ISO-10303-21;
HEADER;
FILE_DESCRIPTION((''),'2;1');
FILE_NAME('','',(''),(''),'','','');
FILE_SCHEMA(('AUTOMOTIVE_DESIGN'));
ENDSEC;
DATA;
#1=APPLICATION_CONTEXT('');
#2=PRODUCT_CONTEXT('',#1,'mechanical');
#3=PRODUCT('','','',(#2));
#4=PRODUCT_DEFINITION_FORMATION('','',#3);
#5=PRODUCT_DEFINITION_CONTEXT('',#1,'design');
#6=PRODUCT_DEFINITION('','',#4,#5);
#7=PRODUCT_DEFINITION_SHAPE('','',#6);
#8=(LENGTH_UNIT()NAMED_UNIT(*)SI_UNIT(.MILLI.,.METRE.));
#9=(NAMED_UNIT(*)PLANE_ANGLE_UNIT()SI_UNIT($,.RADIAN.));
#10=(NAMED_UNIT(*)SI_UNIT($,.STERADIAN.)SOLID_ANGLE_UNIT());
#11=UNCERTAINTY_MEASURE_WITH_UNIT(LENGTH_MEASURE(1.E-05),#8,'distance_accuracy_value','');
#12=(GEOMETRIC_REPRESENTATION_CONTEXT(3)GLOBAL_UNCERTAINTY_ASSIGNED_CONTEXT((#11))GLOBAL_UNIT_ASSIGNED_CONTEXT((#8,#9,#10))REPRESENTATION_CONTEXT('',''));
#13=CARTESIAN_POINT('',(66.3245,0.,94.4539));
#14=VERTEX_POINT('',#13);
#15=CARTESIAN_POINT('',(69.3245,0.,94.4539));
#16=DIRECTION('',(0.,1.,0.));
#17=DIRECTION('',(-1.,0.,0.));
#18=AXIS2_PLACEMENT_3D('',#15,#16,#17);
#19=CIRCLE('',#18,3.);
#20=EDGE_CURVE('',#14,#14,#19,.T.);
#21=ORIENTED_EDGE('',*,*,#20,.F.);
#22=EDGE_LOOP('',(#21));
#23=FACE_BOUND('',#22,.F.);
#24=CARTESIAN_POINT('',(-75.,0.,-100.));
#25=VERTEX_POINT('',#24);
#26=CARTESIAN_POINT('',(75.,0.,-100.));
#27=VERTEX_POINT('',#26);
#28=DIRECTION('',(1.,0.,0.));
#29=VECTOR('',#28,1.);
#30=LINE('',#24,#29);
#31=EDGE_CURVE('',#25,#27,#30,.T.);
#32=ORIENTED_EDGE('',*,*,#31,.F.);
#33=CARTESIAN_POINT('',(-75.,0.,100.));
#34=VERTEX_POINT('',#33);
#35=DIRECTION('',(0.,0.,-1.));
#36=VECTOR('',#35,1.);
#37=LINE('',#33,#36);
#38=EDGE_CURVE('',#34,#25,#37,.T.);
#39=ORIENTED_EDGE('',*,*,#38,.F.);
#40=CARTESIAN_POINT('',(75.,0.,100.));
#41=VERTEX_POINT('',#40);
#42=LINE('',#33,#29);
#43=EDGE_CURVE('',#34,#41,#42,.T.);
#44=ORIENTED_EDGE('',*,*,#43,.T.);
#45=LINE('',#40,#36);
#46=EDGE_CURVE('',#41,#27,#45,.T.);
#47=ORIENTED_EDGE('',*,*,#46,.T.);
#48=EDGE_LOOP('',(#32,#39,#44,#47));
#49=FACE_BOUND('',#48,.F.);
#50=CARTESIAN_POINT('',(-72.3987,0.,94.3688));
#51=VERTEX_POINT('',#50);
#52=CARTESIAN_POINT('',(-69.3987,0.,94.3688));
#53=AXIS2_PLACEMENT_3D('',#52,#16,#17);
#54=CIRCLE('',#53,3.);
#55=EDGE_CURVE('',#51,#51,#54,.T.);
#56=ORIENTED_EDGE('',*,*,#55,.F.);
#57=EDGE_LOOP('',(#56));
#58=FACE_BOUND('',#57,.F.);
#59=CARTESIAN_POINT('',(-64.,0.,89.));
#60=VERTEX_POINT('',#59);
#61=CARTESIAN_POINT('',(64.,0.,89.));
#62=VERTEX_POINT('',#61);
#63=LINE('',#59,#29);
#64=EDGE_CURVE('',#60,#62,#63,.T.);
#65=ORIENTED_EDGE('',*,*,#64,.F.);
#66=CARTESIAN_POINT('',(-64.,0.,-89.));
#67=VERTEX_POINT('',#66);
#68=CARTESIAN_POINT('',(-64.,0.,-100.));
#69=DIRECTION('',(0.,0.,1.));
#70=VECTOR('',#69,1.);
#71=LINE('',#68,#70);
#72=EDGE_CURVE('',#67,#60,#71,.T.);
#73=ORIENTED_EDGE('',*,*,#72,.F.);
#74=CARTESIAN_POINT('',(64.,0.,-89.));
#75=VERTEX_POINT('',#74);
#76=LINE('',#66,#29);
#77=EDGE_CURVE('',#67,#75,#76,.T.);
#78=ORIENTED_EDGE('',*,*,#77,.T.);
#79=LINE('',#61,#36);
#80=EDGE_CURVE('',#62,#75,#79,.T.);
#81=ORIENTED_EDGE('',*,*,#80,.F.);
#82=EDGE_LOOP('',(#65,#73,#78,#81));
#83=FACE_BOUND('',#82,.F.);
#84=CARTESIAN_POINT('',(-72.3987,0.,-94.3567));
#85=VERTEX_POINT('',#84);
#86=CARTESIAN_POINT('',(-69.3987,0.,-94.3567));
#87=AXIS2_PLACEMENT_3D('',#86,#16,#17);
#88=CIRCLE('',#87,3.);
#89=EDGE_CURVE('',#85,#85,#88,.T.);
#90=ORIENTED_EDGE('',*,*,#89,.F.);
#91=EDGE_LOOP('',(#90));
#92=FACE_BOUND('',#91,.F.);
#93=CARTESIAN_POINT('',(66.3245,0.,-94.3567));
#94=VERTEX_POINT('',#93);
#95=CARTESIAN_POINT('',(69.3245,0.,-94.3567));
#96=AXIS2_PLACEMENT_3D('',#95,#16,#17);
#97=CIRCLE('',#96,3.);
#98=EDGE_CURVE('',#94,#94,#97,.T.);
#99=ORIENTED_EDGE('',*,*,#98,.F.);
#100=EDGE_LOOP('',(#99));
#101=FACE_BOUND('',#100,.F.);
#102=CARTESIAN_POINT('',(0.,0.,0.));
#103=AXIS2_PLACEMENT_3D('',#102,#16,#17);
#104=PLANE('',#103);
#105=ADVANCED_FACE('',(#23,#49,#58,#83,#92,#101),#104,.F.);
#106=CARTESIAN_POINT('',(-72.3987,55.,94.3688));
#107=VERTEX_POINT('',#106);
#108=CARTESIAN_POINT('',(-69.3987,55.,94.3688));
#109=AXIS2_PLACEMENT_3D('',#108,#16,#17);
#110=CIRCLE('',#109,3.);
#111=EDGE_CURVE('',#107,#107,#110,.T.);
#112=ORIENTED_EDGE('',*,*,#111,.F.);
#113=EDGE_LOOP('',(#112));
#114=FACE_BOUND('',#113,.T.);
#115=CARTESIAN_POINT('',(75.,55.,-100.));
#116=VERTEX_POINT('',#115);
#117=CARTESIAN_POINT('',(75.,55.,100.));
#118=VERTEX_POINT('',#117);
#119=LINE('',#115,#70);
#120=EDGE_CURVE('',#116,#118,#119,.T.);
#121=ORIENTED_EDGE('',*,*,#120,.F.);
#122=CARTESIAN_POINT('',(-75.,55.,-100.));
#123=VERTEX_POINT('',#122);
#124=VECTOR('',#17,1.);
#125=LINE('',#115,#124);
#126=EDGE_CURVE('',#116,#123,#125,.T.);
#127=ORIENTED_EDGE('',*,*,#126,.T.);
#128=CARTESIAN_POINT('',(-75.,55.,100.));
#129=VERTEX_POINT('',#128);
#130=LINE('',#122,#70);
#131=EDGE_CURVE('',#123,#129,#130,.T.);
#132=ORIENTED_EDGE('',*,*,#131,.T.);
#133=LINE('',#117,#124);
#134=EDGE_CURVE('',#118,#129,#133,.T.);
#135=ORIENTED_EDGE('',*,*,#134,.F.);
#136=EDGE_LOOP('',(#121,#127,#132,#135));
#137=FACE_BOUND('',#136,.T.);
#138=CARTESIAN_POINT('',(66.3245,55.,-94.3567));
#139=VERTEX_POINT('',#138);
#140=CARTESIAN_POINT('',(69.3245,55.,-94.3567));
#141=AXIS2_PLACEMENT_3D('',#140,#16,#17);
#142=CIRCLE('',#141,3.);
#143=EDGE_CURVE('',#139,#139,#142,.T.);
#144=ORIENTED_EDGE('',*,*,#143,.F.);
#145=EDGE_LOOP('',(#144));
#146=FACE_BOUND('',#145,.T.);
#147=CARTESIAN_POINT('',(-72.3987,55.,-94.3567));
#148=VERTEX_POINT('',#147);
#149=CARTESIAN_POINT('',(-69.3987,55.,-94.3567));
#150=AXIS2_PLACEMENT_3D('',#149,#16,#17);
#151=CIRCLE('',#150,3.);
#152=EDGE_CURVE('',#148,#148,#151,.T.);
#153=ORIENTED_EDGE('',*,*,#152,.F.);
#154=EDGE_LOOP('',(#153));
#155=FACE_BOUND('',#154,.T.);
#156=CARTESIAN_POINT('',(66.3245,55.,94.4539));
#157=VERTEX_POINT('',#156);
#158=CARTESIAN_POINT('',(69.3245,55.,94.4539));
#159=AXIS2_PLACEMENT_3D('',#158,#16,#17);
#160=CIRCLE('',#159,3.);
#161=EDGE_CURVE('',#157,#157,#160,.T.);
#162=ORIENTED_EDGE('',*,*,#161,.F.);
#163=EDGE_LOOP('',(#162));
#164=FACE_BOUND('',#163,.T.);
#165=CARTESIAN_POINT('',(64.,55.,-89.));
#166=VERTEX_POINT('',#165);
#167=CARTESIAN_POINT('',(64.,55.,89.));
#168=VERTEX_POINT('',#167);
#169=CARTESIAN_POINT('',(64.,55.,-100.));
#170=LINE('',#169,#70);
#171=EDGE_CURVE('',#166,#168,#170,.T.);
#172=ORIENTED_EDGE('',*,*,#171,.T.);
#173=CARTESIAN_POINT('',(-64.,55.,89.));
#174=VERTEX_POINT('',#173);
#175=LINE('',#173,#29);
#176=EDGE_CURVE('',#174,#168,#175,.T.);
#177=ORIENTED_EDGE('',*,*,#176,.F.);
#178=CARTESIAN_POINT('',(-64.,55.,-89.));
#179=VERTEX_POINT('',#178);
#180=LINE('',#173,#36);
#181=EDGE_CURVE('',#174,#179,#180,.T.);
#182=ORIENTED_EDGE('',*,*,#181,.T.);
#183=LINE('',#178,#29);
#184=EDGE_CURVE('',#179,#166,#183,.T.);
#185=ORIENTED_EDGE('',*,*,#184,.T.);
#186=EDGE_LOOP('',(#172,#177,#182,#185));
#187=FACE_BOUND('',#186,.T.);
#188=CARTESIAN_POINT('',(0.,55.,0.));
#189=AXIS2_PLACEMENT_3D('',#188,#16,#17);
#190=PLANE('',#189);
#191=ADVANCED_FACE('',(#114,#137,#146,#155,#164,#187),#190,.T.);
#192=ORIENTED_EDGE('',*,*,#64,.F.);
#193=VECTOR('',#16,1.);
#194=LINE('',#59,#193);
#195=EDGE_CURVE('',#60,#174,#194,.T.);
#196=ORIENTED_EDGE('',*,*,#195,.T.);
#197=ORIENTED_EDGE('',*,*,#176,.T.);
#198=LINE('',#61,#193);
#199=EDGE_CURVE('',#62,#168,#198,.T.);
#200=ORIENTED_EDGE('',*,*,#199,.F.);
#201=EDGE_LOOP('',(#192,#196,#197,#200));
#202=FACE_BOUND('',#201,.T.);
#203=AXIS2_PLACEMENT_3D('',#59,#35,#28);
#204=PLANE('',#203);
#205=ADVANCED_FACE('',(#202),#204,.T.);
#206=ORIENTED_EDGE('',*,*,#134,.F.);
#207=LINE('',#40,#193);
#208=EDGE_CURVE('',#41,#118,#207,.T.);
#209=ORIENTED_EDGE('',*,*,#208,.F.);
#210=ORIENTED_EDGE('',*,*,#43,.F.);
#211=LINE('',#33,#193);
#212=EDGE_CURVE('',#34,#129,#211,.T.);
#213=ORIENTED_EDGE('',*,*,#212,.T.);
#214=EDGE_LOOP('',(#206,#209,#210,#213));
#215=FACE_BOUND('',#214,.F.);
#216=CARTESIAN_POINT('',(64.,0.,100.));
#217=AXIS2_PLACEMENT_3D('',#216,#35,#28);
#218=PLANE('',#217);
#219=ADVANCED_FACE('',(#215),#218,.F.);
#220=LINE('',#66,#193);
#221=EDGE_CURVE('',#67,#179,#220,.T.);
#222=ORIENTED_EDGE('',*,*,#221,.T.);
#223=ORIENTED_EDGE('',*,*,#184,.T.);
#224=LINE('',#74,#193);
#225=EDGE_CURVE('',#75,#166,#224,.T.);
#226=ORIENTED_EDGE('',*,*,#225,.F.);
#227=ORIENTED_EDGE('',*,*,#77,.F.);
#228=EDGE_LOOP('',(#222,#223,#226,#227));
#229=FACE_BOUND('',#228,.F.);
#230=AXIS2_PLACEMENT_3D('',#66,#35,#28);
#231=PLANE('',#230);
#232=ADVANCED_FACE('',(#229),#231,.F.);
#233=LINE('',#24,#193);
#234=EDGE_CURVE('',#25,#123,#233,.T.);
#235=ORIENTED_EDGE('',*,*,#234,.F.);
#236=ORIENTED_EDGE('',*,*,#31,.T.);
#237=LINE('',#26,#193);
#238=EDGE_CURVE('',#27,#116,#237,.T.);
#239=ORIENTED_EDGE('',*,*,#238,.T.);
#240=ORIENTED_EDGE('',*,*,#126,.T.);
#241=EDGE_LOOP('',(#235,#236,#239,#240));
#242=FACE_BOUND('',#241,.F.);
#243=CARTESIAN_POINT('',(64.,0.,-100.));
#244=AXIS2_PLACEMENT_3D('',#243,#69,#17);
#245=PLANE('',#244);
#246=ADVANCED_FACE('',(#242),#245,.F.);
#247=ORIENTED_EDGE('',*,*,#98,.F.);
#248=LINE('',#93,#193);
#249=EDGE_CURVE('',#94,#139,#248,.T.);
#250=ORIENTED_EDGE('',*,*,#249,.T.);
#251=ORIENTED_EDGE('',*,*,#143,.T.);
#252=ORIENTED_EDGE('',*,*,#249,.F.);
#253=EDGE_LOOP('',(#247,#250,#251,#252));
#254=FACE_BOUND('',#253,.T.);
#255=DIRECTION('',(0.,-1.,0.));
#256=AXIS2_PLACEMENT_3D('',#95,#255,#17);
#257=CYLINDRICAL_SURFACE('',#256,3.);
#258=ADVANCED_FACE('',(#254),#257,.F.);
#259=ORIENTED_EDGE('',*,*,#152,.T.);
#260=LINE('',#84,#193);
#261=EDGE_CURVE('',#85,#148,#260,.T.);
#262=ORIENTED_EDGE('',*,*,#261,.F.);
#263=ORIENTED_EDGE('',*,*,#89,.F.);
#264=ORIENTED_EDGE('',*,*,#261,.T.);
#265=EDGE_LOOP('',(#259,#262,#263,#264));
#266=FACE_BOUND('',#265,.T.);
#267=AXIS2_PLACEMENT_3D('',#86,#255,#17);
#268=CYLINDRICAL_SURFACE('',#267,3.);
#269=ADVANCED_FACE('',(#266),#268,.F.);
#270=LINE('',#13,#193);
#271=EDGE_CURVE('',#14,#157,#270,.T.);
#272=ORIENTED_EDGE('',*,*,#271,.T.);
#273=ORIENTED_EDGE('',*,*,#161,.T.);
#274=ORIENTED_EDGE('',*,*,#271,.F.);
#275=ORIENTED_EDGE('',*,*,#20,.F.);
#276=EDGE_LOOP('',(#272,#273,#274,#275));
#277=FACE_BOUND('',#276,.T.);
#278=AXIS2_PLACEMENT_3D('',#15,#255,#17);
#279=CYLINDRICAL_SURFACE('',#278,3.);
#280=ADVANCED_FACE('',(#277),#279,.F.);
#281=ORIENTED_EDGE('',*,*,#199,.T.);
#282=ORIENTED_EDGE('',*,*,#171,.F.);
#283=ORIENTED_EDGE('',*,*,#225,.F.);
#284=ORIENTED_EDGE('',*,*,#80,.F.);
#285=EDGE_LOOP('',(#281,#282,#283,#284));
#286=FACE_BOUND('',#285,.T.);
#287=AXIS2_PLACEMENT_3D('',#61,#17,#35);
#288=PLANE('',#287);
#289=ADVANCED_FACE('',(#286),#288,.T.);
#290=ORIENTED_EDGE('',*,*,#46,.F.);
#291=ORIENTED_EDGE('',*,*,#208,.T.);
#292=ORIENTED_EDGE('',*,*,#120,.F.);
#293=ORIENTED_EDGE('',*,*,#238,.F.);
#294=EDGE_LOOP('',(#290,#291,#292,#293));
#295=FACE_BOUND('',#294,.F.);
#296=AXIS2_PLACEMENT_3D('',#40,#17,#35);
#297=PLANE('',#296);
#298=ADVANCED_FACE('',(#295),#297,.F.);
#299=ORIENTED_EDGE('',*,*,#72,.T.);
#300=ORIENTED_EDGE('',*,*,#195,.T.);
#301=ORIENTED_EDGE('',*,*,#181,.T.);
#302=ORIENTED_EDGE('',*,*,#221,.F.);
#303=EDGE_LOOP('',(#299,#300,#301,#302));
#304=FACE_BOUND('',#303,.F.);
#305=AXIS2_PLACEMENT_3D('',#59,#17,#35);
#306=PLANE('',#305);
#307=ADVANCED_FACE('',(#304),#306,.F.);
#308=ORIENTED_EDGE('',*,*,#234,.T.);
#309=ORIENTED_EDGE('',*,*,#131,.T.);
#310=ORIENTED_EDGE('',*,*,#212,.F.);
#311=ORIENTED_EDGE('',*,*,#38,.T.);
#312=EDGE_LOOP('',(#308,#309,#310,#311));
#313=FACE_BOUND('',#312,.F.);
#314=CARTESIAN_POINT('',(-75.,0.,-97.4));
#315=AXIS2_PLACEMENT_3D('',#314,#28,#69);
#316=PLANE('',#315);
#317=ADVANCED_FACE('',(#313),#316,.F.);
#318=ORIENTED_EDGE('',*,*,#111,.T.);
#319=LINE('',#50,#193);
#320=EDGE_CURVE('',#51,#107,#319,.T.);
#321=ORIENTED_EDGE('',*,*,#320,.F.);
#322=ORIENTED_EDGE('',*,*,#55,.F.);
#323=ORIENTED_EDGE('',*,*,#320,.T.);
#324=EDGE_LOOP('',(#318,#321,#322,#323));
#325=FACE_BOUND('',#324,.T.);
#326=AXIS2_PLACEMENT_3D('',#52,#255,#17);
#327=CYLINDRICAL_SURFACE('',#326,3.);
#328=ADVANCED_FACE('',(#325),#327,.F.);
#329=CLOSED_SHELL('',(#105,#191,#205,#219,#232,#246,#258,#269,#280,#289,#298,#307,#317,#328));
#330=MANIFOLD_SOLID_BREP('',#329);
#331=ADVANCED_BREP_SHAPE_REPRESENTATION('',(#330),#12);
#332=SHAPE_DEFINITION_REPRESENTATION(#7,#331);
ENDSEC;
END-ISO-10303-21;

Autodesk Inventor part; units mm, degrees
ref_plane "YZ Plane" through (0, 0, 0) normal (1, 0, 0) x (0, 1, 0)
ref_plane "XZ Plane" through (0, 0, 0) normal (0, 1, 0) x (-1, 0, 0)
ref_plane "XY Plane" through (0, 0, 0) normal (0, 0, 1) x (1, 0, 0)
sketch "Sketch1" plane through (0, 0, 0) normal (0, 1, 0) x (-1, 0, 0)
  line L0 (-75, 0) -> (-75, -100)
  line L1 (-75, -100) -> (75, -100)
  line L2 (75, -100) -> (75, 100)
  line L3 (75, 100) -> (-75, 100)
  line L4 (-75, 100) -> (-75, 0)
  circle A0 centre (69.3987, -94.3567) radius 3
  circle A1 centre (-69.3245, -94.3567) radius 3
  circle A2 centre (69.3987, 94.3688) radius 3
  circle A3 centre (-69.3245, 94.4539) radius 3
  line L5 (75, -100) -> (75, -97.4)
  line L6 (75, 100) -> (57, 100)
  line L7 (75, 100) -> (64, 100)
  line L8 (64, 100) -> (64, -100)
  line L9 (-75, 100) -> (-64, 100)
  line L10 (-64, 100) -> (-64, -100)
  line L11 (64, -100) -> (64, -89)
  line L12 (64, -89) -> (-64, -89)
  line L13 (64, 100) -> (64, 89)
  line L14 (64, 89) -> (-64, 89)
  point P0 (0, 0)
  dimension "d3" = 200
  dimension "d4" = 150
  dimension "d5" = 6
  dimension "d6" = 6
  dimension "d7" = 6
  dimension "d8" = 6
  dimension "d18" = 11
extrude "Extrusion1" add sketch "Sketch1" along normal blind 55 contours L3 L8 L14 L10
extrude "Extrusion2" add sketch "Sketch1" along normal blind 55 contours L8 L3 L2 L1
extrude "Extrusion3" add sketch "Sketch1" along normal blind 55 contours L4 L3 L10 L1 L0
extrude "Extrusion4" add sketch "Sketch1" along normal blind 55 contours L10 L12 L8 L1
